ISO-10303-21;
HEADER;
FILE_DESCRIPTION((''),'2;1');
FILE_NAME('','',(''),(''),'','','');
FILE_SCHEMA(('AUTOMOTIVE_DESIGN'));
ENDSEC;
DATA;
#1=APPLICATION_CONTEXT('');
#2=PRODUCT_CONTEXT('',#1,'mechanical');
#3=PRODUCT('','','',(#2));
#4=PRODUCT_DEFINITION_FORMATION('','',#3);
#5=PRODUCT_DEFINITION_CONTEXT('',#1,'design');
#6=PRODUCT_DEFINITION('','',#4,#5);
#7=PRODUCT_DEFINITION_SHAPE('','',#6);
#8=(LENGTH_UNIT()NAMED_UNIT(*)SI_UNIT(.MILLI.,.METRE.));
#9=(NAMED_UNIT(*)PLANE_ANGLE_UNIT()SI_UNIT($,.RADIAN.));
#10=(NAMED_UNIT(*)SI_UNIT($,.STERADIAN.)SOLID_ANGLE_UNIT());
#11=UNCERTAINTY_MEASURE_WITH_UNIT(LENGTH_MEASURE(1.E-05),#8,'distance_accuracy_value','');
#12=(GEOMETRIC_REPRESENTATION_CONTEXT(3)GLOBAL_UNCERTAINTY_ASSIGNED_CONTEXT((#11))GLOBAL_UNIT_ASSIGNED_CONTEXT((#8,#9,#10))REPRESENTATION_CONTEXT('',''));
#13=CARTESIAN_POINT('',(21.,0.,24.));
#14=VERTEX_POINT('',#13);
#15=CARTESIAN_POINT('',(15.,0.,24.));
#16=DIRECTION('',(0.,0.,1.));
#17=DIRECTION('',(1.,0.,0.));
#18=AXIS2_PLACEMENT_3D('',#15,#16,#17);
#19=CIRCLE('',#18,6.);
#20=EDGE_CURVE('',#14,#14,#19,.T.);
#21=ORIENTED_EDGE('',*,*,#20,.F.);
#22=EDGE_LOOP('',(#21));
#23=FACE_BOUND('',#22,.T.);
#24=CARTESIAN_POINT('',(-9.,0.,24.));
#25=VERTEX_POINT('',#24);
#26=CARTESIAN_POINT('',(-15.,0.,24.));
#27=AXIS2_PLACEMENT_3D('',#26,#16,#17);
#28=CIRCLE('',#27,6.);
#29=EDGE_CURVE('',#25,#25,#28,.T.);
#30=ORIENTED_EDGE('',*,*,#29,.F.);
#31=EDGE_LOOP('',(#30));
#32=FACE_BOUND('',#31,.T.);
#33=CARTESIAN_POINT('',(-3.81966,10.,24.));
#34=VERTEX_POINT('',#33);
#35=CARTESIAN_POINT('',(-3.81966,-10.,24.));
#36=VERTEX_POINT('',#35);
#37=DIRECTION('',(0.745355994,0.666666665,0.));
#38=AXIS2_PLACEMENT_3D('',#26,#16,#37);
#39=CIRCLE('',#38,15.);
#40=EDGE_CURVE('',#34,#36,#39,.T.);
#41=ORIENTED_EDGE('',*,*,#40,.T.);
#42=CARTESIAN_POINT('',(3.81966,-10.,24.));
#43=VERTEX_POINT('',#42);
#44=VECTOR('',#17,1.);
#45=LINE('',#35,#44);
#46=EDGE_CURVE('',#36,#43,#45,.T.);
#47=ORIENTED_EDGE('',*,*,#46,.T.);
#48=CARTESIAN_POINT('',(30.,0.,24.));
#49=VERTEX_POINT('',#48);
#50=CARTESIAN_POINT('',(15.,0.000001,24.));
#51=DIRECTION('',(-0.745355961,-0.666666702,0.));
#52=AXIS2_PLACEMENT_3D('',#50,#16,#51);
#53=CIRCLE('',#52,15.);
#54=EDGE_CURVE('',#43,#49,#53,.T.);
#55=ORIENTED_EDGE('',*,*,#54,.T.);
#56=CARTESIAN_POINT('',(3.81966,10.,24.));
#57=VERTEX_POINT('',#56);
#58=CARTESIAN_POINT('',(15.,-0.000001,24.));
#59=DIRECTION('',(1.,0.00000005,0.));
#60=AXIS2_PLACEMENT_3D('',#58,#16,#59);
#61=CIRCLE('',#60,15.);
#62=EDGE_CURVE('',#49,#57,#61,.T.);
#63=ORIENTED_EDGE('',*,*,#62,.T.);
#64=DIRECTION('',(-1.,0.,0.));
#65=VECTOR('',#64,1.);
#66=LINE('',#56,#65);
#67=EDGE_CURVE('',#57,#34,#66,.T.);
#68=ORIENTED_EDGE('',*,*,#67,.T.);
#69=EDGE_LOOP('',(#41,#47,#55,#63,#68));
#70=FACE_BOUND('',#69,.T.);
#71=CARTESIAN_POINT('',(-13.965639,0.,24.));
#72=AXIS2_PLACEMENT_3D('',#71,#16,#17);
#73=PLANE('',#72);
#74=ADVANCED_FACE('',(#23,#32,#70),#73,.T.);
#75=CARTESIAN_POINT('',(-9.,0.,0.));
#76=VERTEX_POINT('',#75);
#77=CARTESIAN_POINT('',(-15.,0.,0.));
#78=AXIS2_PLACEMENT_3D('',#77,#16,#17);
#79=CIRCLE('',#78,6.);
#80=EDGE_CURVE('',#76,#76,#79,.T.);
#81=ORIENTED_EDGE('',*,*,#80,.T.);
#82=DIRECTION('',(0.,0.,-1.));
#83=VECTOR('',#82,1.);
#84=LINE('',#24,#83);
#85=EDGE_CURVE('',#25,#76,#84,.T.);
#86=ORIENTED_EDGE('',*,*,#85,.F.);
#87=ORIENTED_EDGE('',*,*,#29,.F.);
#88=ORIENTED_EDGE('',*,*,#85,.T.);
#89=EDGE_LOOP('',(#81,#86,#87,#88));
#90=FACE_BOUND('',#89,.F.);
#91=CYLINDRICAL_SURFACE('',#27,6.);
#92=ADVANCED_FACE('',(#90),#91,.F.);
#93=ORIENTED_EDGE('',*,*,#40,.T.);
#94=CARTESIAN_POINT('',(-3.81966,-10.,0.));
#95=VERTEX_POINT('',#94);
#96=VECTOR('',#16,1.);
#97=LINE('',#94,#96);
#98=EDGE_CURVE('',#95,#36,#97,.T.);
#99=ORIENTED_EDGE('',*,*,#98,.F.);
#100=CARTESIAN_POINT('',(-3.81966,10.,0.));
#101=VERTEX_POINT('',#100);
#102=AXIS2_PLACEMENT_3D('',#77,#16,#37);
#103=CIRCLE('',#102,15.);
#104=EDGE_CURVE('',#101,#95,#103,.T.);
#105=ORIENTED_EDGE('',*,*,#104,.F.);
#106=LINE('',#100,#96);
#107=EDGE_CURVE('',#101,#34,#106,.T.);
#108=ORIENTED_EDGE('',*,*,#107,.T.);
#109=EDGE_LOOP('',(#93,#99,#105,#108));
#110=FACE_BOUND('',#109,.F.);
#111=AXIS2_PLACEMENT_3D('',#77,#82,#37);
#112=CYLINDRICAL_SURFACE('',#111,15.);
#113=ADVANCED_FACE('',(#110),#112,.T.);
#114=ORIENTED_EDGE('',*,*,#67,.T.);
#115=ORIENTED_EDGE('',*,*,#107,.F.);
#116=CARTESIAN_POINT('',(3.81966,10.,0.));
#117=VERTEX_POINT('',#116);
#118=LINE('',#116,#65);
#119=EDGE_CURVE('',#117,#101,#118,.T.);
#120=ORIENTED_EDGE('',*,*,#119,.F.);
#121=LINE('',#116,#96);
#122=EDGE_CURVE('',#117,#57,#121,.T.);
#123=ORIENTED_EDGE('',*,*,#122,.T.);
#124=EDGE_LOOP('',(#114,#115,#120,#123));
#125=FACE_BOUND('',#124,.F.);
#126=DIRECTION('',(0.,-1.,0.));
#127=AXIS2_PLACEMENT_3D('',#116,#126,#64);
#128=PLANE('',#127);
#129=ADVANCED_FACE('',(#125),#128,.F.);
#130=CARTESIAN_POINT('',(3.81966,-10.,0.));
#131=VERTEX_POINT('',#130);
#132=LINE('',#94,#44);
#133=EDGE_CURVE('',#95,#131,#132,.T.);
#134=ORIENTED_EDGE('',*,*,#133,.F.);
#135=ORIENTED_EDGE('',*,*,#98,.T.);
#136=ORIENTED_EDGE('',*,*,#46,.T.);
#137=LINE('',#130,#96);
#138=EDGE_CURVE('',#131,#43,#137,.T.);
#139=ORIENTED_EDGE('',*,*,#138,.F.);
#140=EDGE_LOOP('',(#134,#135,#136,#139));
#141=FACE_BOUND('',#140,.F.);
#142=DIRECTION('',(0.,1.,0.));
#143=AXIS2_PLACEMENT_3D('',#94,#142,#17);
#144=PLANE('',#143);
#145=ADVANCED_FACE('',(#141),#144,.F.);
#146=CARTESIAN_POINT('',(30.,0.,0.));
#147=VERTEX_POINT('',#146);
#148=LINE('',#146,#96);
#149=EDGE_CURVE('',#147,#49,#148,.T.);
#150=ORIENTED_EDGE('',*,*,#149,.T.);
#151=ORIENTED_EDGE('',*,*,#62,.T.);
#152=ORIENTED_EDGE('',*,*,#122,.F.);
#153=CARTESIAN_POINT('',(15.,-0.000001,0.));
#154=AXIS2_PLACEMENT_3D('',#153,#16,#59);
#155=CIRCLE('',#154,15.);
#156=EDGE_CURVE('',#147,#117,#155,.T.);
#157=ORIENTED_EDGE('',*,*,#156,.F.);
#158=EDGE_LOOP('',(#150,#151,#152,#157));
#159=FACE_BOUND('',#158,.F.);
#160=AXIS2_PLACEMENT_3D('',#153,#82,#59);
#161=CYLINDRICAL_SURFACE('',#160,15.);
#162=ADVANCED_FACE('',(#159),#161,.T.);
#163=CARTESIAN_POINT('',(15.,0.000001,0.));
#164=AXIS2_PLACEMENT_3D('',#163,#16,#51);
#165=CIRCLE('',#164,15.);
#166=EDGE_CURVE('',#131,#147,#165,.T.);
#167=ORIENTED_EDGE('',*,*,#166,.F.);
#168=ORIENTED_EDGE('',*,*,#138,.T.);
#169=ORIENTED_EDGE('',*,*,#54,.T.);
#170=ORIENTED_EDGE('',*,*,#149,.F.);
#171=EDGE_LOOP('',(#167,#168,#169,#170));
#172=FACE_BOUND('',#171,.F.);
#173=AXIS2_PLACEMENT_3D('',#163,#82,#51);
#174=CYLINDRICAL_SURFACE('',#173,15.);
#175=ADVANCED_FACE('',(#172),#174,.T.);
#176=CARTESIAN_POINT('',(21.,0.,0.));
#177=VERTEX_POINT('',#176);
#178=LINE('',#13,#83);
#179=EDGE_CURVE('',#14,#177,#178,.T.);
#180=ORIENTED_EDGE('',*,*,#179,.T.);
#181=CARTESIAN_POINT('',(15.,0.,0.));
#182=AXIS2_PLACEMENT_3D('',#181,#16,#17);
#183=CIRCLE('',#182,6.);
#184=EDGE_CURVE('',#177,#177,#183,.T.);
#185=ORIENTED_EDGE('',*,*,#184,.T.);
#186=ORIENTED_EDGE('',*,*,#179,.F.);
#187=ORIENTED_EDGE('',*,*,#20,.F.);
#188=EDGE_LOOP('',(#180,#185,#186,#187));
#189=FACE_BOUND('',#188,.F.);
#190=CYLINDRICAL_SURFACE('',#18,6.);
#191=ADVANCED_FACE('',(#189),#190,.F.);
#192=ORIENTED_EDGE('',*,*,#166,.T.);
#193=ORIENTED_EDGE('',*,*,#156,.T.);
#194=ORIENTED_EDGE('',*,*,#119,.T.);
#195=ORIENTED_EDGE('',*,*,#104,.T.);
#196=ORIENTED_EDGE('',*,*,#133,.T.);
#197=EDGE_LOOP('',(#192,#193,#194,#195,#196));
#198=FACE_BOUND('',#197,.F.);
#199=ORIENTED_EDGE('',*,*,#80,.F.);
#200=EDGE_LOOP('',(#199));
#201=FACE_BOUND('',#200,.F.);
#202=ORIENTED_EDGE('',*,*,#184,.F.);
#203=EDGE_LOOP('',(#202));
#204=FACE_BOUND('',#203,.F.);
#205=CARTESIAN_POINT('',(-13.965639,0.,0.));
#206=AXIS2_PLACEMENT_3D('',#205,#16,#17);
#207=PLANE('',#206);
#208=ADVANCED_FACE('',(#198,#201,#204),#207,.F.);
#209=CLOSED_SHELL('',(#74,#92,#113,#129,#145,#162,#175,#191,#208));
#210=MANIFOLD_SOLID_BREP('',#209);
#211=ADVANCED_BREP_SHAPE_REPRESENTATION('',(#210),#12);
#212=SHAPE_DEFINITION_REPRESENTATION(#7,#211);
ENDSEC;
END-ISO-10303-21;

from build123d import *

# Parameters (mm, degrees)
F1_DEPTH = 24
F2_R     = 6
F3_DEPTH = 24.001


with BuildPart() as f1:
    # F0 (on Top) → F1 (new body)
    with BuildSketch(Plane.XY):
        with BuildLine():
            ThreePointArc((-3.81966, -10), (-0.987415, -5.352331), (0, 0))
            ThreePointArc((0, 0), (-0.987415, 5.352331), (-3.81966, 10))
            ThreePointArc((-3.81966, 10), (-30, 0), (-3.81966, -10))
        make_face()
        with BuildLine():
            ThreePointArc((3.81966, -10), (0.987415, -5.352331), (0, 0))
            ThreePointArc((0, 0), (-0.987415, -5.352331), (-3.81966, -10))
            Line((-3.81966, -10), (0, -10))
            Line((0, -10), (3.81966, -10))
        make_face()
        with BuildLine():
            ThreePointArc((-3.81966, 10), (-0.987415, 5.352331), (0, 0))
            ThreePointArc((0, 0), (0.987415, 5.352331), (3.81966, 10))
            Line((3.81966, 10), (-3.81966, 10))
        make_face()
        with BuildLine():
            ThreePointArc((3.81966, 10), (0.987415, 5.352331), (0, 0))
            ThreePointArc((0, 0), (0.987415, -5.352331), (3.81966, -10))
            ThreePointArc((3.81966, -10), (20.352331, -14.012585), (30, 0))
            ThreePointArc((30, 0), (20.352331, 14.012585), (3.81966, 10))
        make_face()
    extrude(amount=F1_DEPTH)

    # F2 (on face) → F3 (cut, through all)
    with BuildSketch(Plane.XY.offset(24)):
        with Locations((-15, 0)):
            Circle(F2_R)
        with Locations((15, 0)):
            Circle(F2_R)
    extrude(amount=-F3_DEPTH, mode=Mode.SUBTRACT)


solid = f1.part
